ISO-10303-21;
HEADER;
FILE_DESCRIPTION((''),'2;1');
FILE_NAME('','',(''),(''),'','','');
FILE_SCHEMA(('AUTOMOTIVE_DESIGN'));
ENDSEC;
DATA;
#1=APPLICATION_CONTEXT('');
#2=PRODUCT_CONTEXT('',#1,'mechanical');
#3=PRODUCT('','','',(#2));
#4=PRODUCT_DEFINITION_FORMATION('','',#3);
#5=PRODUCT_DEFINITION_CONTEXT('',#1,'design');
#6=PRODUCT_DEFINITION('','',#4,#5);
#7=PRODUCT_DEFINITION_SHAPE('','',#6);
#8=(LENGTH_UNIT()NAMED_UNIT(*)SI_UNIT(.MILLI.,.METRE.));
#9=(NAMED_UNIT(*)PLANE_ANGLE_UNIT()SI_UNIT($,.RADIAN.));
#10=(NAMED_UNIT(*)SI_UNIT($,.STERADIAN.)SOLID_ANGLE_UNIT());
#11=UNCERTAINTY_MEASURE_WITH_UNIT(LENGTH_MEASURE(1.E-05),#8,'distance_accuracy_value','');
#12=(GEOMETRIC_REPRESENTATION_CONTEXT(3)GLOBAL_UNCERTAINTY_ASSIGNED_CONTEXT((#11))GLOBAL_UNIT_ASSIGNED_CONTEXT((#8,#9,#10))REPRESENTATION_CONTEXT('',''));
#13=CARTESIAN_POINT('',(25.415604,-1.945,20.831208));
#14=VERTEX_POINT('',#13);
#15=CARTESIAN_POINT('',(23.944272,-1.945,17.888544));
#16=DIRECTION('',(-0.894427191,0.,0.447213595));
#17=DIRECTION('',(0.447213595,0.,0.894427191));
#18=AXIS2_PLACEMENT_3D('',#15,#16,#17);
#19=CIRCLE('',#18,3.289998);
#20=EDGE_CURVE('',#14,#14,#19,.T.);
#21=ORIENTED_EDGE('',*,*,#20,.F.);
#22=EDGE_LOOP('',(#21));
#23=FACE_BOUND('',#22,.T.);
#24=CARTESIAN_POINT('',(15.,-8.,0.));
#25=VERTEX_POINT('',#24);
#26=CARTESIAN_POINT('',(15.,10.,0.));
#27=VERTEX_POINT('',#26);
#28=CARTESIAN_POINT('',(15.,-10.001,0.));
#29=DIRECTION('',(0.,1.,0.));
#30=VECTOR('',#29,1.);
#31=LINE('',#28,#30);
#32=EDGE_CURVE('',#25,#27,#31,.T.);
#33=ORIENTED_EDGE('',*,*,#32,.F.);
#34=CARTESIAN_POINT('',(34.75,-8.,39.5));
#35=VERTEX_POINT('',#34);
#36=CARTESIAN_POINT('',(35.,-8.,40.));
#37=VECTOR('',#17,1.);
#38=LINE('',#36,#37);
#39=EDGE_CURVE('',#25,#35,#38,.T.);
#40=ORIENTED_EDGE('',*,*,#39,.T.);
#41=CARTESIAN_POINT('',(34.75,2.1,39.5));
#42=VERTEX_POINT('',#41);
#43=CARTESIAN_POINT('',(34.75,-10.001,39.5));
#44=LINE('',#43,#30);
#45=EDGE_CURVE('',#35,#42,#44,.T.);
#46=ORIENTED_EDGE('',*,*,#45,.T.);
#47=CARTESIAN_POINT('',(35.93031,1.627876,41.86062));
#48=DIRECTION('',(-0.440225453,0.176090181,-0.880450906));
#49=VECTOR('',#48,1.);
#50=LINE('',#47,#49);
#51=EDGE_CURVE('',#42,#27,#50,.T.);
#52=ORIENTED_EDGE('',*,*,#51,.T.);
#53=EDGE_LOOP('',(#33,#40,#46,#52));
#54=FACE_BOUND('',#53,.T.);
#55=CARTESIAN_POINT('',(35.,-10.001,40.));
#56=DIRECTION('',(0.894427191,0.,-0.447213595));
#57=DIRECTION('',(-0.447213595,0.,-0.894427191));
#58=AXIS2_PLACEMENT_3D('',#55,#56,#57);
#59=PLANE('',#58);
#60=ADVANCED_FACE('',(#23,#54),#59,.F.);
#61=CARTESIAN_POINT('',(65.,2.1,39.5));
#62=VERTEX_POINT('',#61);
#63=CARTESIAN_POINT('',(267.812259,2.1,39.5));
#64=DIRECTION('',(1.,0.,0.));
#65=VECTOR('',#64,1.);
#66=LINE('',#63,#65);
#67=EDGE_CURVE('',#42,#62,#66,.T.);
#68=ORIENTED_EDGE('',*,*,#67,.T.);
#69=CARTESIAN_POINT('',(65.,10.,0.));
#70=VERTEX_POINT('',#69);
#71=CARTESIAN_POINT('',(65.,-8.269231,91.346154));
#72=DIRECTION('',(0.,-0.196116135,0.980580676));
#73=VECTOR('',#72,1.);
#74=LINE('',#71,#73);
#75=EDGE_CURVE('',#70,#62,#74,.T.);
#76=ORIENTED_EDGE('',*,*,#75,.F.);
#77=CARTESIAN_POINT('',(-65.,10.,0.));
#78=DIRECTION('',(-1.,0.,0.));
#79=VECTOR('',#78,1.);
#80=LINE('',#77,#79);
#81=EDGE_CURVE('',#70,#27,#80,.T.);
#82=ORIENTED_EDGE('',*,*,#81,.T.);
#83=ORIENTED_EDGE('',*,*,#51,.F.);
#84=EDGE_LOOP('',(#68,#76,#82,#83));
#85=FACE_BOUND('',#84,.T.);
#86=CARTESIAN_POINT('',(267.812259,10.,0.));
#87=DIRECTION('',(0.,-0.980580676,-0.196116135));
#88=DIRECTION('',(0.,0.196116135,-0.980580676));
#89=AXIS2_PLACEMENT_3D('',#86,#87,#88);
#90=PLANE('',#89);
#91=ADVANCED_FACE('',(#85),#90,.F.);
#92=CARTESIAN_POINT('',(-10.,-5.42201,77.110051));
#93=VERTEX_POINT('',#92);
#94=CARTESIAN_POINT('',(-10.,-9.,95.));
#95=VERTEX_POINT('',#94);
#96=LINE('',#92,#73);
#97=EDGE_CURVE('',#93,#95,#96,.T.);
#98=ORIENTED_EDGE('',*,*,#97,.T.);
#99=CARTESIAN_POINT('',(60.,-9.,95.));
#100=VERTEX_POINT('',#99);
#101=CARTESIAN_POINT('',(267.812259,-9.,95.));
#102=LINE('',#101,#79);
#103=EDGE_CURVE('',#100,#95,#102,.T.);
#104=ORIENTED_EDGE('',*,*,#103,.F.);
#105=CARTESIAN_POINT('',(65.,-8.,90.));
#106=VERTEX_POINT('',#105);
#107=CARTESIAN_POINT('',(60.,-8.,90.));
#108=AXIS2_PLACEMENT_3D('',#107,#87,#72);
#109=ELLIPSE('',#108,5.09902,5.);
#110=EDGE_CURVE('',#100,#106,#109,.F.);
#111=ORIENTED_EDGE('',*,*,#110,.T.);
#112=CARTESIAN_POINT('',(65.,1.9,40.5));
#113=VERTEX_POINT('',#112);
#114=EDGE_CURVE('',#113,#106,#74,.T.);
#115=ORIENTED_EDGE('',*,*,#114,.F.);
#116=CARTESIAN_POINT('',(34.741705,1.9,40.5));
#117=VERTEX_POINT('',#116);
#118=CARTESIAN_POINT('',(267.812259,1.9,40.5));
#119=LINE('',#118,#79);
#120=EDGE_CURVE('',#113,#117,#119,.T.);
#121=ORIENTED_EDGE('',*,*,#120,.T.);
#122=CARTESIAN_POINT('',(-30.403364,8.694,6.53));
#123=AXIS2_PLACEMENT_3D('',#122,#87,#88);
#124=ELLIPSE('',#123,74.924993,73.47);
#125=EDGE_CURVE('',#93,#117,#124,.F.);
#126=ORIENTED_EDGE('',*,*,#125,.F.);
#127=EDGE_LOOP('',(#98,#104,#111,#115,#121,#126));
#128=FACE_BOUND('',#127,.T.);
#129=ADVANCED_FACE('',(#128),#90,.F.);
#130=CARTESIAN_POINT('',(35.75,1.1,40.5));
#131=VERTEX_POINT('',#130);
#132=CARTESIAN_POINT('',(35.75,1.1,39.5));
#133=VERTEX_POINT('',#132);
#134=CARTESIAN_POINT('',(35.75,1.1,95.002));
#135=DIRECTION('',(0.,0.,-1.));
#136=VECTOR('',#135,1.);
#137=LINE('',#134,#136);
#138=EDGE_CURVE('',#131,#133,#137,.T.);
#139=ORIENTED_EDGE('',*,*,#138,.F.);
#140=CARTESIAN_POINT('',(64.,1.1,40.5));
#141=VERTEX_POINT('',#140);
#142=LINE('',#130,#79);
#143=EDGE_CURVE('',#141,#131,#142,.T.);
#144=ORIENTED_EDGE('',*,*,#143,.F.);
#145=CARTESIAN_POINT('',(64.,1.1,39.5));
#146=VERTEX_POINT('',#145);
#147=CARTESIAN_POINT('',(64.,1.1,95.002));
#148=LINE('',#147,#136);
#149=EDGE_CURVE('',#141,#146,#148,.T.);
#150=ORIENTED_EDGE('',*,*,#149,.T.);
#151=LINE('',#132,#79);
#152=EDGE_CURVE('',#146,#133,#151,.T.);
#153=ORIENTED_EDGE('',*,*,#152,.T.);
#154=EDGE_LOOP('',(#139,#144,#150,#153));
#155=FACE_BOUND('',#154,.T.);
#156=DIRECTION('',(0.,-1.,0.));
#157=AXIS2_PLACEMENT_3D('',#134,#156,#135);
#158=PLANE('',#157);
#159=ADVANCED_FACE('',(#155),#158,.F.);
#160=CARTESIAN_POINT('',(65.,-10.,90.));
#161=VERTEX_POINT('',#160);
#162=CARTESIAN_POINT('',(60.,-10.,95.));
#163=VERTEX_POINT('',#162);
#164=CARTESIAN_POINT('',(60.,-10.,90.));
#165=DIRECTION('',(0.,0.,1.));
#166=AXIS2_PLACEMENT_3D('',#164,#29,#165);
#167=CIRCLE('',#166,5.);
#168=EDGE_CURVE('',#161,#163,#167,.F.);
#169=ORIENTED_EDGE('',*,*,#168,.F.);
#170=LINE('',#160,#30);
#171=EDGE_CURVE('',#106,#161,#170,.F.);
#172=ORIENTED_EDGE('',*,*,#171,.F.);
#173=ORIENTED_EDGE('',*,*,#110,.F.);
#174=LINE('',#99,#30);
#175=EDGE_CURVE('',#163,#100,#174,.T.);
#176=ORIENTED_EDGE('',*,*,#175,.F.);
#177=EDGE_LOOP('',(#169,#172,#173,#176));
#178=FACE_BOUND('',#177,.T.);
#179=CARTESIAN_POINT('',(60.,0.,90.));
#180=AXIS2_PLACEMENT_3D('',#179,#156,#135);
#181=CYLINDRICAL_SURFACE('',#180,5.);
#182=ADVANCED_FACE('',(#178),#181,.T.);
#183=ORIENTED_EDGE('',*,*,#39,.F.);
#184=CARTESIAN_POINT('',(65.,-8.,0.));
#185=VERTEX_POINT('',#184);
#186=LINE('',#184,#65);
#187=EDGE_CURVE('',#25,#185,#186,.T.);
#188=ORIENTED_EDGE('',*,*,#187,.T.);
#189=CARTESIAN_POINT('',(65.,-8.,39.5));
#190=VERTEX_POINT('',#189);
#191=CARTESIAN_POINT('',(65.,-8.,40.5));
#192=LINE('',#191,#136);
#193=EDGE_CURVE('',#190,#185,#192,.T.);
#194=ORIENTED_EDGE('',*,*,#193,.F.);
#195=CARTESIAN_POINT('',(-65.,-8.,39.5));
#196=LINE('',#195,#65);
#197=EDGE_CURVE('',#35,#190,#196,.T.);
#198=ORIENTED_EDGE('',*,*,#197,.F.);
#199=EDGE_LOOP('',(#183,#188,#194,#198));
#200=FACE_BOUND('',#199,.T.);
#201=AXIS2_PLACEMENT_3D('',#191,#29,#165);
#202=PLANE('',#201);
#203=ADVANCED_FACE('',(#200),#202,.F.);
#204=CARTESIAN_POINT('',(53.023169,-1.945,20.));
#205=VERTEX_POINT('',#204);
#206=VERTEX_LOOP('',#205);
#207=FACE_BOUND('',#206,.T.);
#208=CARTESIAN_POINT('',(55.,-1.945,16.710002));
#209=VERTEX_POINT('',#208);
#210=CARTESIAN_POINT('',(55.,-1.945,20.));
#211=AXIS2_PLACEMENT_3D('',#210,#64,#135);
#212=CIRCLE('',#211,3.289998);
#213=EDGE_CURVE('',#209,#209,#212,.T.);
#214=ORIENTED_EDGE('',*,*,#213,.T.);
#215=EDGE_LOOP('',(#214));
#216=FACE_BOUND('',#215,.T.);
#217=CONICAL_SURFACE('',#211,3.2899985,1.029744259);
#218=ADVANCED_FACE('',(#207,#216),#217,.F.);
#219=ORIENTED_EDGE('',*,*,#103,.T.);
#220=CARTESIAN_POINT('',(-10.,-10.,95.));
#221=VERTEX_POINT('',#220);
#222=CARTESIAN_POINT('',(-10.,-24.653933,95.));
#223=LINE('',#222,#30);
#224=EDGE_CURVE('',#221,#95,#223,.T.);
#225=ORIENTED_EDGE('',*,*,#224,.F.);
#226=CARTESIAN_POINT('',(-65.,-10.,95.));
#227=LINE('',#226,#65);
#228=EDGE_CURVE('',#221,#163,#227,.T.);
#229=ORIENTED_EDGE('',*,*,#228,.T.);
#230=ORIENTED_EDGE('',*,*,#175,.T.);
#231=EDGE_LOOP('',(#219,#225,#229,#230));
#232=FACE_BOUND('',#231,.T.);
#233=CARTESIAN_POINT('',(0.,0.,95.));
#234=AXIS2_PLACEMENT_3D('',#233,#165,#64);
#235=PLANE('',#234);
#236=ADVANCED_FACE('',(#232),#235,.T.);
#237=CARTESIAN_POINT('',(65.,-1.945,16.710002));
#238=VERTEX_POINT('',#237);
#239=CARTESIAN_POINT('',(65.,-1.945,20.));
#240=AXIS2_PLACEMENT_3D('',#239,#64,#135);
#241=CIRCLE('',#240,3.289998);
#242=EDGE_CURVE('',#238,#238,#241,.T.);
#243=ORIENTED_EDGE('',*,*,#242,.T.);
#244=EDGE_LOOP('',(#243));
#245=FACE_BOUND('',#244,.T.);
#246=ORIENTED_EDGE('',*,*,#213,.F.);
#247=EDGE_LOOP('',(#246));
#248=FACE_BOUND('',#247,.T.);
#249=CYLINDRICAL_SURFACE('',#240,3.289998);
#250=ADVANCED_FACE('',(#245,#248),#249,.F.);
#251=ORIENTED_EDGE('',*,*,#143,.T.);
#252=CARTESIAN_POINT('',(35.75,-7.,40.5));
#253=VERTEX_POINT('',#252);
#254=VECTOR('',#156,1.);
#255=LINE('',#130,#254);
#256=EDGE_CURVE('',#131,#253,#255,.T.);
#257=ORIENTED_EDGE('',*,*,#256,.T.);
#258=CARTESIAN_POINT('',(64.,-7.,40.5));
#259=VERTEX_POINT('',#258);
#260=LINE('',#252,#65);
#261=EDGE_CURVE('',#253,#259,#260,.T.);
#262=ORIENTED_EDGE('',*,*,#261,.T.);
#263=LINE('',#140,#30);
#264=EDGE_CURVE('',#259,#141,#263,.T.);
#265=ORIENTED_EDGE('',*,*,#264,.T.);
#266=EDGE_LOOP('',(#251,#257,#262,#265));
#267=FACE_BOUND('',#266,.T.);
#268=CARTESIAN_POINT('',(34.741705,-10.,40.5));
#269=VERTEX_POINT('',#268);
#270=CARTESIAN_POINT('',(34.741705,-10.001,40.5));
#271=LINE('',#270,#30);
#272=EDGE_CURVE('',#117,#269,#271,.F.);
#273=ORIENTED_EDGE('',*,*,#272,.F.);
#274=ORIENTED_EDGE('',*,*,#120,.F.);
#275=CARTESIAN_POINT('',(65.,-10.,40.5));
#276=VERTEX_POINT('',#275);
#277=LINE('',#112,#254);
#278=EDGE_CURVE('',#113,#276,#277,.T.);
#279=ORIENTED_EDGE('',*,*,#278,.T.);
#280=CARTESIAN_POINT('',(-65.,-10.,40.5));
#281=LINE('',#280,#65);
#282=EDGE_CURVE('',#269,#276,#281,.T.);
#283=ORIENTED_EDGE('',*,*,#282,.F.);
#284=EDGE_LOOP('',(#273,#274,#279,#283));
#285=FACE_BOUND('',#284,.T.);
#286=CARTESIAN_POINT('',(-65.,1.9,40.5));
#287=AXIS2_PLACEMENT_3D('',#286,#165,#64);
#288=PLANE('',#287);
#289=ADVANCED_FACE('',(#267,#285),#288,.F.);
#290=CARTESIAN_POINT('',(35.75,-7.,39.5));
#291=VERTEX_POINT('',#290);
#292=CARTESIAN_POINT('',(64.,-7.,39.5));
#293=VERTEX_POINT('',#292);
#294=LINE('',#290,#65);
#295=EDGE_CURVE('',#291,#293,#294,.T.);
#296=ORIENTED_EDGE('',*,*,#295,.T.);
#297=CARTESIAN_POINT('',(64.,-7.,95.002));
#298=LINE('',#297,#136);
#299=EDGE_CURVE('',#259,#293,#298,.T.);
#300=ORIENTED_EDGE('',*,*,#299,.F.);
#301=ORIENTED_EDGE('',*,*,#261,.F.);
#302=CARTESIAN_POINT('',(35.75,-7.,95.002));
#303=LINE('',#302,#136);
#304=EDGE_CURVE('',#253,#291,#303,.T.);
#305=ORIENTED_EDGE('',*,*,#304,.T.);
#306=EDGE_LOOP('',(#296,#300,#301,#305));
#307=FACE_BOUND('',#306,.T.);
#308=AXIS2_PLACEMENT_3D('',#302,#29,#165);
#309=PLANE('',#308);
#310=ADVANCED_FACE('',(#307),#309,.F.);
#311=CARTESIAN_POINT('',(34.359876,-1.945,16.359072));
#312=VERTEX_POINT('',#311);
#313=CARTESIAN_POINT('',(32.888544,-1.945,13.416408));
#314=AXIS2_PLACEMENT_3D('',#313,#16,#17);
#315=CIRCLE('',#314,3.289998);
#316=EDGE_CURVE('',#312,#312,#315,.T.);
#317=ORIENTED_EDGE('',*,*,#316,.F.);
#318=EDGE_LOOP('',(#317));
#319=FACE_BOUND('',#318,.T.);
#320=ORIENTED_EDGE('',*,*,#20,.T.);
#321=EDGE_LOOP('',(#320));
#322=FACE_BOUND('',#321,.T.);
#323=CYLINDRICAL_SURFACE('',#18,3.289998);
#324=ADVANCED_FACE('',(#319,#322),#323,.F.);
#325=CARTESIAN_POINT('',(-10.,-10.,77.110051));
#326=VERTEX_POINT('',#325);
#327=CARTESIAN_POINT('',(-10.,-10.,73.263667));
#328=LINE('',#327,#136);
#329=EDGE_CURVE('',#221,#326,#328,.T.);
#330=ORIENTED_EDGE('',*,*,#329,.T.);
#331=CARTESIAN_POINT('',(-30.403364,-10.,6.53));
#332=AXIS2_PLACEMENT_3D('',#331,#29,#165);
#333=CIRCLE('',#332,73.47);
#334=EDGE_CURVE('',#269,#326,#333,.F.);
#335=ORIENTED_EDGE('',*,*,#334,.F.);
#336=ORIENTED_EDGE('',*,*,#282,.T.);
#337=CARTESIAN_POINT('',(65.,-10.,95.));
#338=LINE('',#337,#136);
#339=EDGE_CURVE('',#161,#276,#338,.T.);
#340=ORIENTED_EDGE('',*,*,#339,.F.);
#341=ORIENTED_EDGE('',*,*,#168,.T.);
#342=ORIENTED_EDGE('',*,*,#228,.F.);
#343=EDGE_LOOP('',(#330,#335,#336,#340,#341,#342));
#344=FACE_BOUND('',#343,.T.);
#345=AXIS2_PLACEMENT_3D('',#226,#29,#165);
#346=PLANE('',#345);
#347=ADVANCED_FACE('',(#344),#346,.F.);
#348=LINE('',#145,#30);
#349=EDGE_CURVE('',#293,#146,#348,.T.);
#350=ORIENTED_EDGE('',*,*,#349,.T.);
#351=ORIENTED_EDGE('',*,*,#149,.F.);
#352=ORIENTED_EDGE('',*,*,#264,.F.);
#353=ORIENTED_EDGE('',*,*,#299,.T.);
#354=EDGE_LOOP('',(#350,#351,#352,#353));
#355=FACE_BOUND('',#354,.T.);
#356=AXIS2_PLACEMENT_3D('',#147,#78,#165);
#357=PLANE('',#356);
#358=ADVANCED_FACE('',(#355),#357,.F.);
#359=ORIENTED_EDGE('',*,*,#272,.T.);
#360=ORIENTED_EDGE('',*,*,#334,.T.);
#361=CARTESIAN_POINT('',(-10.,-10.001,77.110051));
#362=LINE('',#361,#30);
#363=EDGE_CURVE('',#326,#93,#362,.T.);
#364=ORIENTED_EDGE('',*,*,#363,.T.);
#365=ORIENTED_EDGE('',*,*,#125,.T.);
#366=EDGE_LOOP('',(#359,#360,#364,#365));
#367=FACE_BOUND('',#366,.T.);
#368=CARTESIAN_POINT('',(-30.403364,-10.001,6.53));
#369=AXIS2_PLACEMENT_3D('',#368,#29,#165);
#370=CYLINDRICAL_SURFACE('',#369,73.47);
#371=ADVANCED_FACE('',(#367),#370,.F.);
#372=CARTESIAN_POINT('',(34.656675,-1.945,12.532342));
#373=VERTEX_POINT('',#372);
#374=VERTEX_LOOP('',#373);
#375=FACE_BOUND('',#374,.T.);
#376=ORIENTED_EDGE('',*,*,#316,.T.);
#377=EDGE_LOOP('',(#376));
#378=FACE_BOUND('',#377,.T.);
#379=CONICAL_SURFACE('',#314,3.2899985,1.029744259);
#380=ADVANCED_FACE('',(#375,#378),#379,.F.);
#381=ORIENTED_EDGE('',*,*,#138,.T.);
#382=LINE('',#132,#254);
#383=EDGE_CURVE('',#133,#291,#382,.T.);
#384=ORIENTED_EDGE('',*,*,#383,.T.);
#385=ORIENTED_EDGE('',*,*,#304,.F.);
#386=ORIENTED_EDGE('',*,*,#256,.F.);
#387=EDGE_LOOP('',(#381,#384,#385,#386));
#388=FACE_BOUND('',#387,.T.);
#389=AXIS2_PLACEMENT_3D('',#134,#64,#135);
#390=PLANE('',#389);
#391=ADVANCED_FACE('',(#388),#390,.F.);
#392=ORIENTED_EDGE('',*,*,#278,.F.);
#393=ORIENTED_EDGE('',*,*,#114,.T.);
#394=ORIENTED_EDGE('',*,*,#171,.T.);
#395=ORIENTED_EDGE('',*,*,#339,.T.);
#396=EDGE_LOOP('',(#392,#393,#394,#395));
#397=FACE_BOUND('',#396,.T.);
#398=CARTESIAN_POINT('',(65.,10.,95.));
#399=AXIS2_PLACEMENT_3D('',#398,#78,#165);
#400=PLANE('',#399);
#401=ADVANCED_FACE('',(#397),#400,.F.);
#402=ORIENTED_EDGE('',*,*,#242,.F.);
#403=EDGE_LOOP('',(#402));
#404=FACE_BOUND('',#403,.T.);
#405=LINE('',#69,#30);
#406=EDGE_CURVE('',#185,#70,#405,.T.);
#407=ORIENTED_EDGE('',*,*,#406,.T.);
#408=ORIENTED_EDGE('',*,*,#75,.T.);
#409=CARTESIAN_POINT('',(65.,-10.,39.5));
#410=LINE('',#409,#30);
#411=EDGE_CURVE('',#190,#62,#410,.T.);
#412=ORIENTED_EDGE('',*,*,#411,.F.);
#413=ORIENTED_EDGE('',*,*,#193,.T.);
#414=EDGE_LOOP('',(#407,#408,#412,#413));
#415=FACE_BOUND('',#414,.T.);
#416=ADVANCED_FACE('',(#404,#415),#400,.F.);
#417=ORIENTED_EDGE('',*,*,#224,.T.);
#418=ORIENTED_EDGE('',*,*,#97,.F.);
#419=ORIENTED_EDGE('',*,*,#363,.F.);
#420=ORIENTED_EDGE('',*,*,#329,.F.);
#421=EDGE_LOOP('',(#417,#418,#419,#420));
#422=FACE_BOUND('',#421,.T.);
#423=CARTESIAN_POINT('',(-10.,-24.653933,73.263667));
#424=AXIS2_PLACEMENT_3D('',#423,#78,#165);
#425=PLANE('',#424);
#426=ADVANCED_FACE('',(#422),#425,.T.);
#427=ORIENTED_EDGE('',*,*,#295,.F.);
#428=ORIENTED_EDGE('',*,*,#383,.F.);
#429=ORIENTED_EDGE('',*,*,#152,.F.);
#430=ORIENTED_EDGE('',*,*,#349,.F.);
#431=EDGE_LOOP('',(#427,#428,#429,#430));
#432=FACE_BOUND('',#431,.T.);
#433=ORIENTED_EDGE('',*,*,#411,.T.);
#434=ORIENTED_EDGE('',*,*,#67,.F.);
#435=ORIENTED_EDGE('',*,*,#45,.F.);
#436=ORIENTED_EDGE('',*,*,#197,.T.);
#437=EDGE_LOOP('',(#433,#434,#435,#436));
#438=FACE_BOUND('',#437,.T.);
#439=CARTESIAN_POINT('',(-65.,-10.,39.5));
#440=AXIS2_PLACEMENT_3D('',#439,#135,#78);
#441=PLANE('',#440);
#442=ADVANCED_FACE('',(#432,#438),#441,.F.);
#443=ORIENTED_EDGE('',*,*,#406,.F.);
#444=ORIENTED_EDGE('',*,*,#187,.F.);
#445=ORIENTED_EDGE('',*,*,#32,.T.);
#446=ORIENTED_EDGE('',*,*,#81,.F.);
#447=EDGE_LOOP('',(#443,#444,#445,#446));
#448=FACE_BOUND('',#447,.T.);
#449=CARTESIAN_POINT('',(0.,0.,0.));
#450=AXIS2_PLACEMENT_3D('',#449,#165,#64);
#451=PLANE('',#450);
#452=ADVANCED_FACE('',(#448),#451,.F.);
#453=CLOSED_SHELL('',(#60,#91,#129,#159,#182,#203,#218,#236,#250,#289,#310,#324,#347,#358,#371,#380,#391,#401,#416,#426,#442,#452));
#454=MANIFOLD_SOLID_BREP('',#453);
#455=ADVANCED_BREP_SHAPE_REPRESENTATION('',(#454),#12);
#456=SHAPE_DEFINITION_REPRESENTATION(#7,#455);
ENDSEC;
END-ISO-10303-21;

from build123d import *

# Parameters (mm, degrees)
ESBO_O1_W                                      = 130
ESBO_O1_H                                      = 20
RESSALTO_EXTRUS_O1_DEPTH                       = 95
CORTE_EXTRUS_O2_REACH                          = 22
CORTE_EXTRUS_O3_DEPTH                          = 1
CORTE_EXTRUS_O3_DEPTH_BACK                     = 131
BROCA_DE_ROSQUEAR_DE_CANO_PARA_TARRAXA_D_D     = 6.579997
BROCA_DE_ROSQUEAR_DE_CANO_PARA_TARRAXA_D_DEPTH = 10
BROCA_DE_ROSQUEAR_DE_CANO_PARA_TARRAXA_D_TIP   = 1.976830535
BROCA_DE_ROSQUEAR_DE_CANO_PARA_TARRA_2_D       = 6.579997
BROCA_DE_ROSQUEAR_DE_CANO_PARA_TARRA_2_DEPTH   = 10
BROCA_DE_ROSQUEAR_DE_CANO_PARA_TARRA_2_TIP     = 1.976830535
FILETE2_R                                      = 5
CORTE_EXTRUS_O5_DEPTH                          = 131
RESSALTO_EXTRUS_O2_REACH                       = 57.5
ESBO_O15_W                                     = 28.25
ESBO_O15_H                                     = 8.1
ESBO_O16_W                                     = 50
ESBO_O16_H                                     = 2
CORTE_EXTRUS_O6_DEPTH                          = 40.5
CORTE_EXTRUS_O7_REACH                          = 21.612
ESBO_O17_W                                     = 55
ESBO_O17_H                                     = 19.621819015


with BuildPart() as part:
    # Esboço1 → Ressalto-extrusão1 (new body)
    with BuildSketch(Plane.XY):
        Rectangle(ESBO_O1_W, ESBO_O1_H)
    extrude(amount=RESSALTO_EXTRUS_O1_DEPTH)

    # Esboço2 → Corte-extrusão2 (cut, up to next)
    with BuildSketch(Plane(origin=(0, 10, 0), x_dir=(1, 0, 0), z_dir=(0, 1, 0)), mode=Mode.PRIVATE) as corte_extrus_o2_sk1:
        with BuildLine():
            Line((15, 0), (-65, 0))
            Line((-65, 0), (-65, -80))
            Line((-65, -80), (-30.4, -80))
            ThreePointArc((-30.4, -80), (7.930824636, -69.206398281), (35, -40))
            Line((35, -40), (15, 0))
        make_face()
    corte_extrus_o2_tool1 = extrude(corte_extrus_o2_sk1.sketch, amount=-CORTE_EXTRUS_O2_REACH, mode=Mode.PRIVATE) & part.part
    add(corte_extrus_o2_tool1.solids().sort_by_distance((-21.312918, 10, 38.404489))[0], mode=Mode.SUBTRACT)

    # Esboço3 → Corte-extrusão3 (cut, two sides)
    with BuildSketch(Plane(origin=(65, 0, 0), x_dir=(0, 0, -1), z_dir=(1, 0, 0))) as corte_extrus_o3_sk:
        Polygon((200.200134404, 50.040026881), (0, 10), (-95, -9), (-295.200134404, -49.040026881), (-375.280188165, 351.360241926), (120.120080642, 450.440295688), align=None)
    extrude(amount=CORTE_EXTRUS_O3_DEPTH, mode=Mode.SUBTRACT)
    extrude(corte_extrus_o3_sk.sketch, amount=-CORTE_EXTRUS_O3_DEPTH_BACK, mode=Mode.SUBTRACT)

    # Broca de rosquear de cano para tarraxa d
    with Locations(Plane(origin=(65, 0, 0), x_dir=(0, 0, -1), z_dir=(1, 0, 0))):
        with Locations((-20, -1.945)):
            Hole(BROCA_DE_ROSQUEAR_DE_CANO_PARA_TARRAXA_D_D / 2, depth=BROCA_DE_ROSQUEAR_DE_CANO_PARA_TARRAXA_D_DEPTH)
            with Locations((0, 0, -(BROCA_DE_ROSQUEAR_DE_CANO_PARA_TARRAXA_D_DEPTH + BROCA_DE_ROSQUEAR_DE_CANO_PARA_TARRAXA_D_TIP / 2))):  # 118° drill point
                Cone(0, BROCA_DE_ROSQUEAR_DE_CANO_PARA_TARRAXA_D_D / 2, BROCA_DE_ROSQUEAR_DE_CANO_PARA_TARRAXA_D_TIP, mode=Mode.SUBTRACT)

    # Broca de rosquear de cano para tarra 2
    with Locations(Plane(origin=(12, 0, -6), x_dir=(0.447213595, 0, 0.894427191), z_dir=(-0.894427191, 0, 0.447213595))):
        with Locations((26.708203932, -1.945)):
            Hole(BROCA_DE_ROSQUEAR_DE_CANO_PARA_TARRA_2_D / 2, depth=BROCA_DE_ROSQUEAR_DE_CANO_PARA_TARRA_2_DEPTH)
            with Locations((0, 0, -(BROCA_DE_ROSQUEAR_DE_CANO_PARA_TARRA_2_DEPTH + BROCA_DE_ROSQUEAR_DE_CANO_PARA_TARRA_2_TIP / 2))):  # 118° drill point
                Cone(0, BROCA_DE_ROSQUEAR_DE_CANO_PARA_TARRA_2_D / 2, BROCA_DE_ROSQUEAR_DE_CANO_PARA_TARRA_2_TIP, mode=Mode.SUBTRACT)

    # Filete2
    filete2_edges = [part.edges().sort_by_distance(p)[0] for p in [
        (65, -9.5, 95),
    ]]
    fillet(filete2_edges, radius=FILETE2_R)

    # Esboço14 → Corte-extrusão5 (cut, through all)
    with BuildSketch(Plane(origin=(65, 0, 0), x_dir=(0, 0, -1), z_dir=(1, 0, 0))):
        Polygon((-40.5, -10), (-39.5, -10), (-39.5, 2.1), (-40.5, 1.9), align=None)
    extrude(amount=-CORTE_EXTRUS_O5_DEPTH, mode=Mode.SUBTRACT)

    # Esboço15 → Ressalto-extrusão2 (add, up to next)
    with BuildSketch(Plane.XY.offset(39.5), mode=Mode.PRIVATE) as ressalto_extrus_o2_sk1:
        with Locations((49.875, -2.95)):
            Rectangle(ESBO_O15_W, ESBO_O15_H)
    ressalto_extrus_o2_tool1 = extrude(ressalto_extrus_o2_sk1.sketch, amount=RESSALTO_EXTRUS_O2_REACH, mode=Mode.PRIVATE) - part.part
    add(ressalto_extrus_o2_tool1.solids().sort_by_distance((49.875, -2.95, 39.5))[0])

    # Esboço16 → Corte-extrusão6 (cut)
    with BuildSketch(Plane(origin=(0, 0, 0), x_dir=(-1, 0, 0), z_dir=(0, 0, -1))):
        with Locations((-40, -9)):
            Rectangle(ESBO_O16_W, ESBO_O16_H)
    extrude(amount=-CORTE_EXTRUS_O6_DEPTH, mode=Mode.SUBTRACT)

    # Esboço17 → Corte-extrusão7 (cut, up to next)
    with BuildSketch(Plane(origin=(0, 9.615384615, 1.923076923), x_dir=(1, 0, 0), z_dir=(0, 0.980580676, 0.196116135)), mode=Mode.PRIVATE) as corte_extrus_o7_sk1:
        with Locations((-37.5, -86.4868795)):
            Rectangle(ESBO_O17_W, ESBO_O17_H)
    corte_extrus_o7_tool1 = extrude(corte_extrus_o7_sk1.sketch, amount=-CORTE_EXTRUS_O7_REACH, mode=Mode.PRIVATE) & part.part
    add(corte_extrus_o7_tool1.solids().sort_by_distance((-37.5, -7.346088, 86.73044))[0], mode=Mode.SUBTRACT)


solid = part.part
